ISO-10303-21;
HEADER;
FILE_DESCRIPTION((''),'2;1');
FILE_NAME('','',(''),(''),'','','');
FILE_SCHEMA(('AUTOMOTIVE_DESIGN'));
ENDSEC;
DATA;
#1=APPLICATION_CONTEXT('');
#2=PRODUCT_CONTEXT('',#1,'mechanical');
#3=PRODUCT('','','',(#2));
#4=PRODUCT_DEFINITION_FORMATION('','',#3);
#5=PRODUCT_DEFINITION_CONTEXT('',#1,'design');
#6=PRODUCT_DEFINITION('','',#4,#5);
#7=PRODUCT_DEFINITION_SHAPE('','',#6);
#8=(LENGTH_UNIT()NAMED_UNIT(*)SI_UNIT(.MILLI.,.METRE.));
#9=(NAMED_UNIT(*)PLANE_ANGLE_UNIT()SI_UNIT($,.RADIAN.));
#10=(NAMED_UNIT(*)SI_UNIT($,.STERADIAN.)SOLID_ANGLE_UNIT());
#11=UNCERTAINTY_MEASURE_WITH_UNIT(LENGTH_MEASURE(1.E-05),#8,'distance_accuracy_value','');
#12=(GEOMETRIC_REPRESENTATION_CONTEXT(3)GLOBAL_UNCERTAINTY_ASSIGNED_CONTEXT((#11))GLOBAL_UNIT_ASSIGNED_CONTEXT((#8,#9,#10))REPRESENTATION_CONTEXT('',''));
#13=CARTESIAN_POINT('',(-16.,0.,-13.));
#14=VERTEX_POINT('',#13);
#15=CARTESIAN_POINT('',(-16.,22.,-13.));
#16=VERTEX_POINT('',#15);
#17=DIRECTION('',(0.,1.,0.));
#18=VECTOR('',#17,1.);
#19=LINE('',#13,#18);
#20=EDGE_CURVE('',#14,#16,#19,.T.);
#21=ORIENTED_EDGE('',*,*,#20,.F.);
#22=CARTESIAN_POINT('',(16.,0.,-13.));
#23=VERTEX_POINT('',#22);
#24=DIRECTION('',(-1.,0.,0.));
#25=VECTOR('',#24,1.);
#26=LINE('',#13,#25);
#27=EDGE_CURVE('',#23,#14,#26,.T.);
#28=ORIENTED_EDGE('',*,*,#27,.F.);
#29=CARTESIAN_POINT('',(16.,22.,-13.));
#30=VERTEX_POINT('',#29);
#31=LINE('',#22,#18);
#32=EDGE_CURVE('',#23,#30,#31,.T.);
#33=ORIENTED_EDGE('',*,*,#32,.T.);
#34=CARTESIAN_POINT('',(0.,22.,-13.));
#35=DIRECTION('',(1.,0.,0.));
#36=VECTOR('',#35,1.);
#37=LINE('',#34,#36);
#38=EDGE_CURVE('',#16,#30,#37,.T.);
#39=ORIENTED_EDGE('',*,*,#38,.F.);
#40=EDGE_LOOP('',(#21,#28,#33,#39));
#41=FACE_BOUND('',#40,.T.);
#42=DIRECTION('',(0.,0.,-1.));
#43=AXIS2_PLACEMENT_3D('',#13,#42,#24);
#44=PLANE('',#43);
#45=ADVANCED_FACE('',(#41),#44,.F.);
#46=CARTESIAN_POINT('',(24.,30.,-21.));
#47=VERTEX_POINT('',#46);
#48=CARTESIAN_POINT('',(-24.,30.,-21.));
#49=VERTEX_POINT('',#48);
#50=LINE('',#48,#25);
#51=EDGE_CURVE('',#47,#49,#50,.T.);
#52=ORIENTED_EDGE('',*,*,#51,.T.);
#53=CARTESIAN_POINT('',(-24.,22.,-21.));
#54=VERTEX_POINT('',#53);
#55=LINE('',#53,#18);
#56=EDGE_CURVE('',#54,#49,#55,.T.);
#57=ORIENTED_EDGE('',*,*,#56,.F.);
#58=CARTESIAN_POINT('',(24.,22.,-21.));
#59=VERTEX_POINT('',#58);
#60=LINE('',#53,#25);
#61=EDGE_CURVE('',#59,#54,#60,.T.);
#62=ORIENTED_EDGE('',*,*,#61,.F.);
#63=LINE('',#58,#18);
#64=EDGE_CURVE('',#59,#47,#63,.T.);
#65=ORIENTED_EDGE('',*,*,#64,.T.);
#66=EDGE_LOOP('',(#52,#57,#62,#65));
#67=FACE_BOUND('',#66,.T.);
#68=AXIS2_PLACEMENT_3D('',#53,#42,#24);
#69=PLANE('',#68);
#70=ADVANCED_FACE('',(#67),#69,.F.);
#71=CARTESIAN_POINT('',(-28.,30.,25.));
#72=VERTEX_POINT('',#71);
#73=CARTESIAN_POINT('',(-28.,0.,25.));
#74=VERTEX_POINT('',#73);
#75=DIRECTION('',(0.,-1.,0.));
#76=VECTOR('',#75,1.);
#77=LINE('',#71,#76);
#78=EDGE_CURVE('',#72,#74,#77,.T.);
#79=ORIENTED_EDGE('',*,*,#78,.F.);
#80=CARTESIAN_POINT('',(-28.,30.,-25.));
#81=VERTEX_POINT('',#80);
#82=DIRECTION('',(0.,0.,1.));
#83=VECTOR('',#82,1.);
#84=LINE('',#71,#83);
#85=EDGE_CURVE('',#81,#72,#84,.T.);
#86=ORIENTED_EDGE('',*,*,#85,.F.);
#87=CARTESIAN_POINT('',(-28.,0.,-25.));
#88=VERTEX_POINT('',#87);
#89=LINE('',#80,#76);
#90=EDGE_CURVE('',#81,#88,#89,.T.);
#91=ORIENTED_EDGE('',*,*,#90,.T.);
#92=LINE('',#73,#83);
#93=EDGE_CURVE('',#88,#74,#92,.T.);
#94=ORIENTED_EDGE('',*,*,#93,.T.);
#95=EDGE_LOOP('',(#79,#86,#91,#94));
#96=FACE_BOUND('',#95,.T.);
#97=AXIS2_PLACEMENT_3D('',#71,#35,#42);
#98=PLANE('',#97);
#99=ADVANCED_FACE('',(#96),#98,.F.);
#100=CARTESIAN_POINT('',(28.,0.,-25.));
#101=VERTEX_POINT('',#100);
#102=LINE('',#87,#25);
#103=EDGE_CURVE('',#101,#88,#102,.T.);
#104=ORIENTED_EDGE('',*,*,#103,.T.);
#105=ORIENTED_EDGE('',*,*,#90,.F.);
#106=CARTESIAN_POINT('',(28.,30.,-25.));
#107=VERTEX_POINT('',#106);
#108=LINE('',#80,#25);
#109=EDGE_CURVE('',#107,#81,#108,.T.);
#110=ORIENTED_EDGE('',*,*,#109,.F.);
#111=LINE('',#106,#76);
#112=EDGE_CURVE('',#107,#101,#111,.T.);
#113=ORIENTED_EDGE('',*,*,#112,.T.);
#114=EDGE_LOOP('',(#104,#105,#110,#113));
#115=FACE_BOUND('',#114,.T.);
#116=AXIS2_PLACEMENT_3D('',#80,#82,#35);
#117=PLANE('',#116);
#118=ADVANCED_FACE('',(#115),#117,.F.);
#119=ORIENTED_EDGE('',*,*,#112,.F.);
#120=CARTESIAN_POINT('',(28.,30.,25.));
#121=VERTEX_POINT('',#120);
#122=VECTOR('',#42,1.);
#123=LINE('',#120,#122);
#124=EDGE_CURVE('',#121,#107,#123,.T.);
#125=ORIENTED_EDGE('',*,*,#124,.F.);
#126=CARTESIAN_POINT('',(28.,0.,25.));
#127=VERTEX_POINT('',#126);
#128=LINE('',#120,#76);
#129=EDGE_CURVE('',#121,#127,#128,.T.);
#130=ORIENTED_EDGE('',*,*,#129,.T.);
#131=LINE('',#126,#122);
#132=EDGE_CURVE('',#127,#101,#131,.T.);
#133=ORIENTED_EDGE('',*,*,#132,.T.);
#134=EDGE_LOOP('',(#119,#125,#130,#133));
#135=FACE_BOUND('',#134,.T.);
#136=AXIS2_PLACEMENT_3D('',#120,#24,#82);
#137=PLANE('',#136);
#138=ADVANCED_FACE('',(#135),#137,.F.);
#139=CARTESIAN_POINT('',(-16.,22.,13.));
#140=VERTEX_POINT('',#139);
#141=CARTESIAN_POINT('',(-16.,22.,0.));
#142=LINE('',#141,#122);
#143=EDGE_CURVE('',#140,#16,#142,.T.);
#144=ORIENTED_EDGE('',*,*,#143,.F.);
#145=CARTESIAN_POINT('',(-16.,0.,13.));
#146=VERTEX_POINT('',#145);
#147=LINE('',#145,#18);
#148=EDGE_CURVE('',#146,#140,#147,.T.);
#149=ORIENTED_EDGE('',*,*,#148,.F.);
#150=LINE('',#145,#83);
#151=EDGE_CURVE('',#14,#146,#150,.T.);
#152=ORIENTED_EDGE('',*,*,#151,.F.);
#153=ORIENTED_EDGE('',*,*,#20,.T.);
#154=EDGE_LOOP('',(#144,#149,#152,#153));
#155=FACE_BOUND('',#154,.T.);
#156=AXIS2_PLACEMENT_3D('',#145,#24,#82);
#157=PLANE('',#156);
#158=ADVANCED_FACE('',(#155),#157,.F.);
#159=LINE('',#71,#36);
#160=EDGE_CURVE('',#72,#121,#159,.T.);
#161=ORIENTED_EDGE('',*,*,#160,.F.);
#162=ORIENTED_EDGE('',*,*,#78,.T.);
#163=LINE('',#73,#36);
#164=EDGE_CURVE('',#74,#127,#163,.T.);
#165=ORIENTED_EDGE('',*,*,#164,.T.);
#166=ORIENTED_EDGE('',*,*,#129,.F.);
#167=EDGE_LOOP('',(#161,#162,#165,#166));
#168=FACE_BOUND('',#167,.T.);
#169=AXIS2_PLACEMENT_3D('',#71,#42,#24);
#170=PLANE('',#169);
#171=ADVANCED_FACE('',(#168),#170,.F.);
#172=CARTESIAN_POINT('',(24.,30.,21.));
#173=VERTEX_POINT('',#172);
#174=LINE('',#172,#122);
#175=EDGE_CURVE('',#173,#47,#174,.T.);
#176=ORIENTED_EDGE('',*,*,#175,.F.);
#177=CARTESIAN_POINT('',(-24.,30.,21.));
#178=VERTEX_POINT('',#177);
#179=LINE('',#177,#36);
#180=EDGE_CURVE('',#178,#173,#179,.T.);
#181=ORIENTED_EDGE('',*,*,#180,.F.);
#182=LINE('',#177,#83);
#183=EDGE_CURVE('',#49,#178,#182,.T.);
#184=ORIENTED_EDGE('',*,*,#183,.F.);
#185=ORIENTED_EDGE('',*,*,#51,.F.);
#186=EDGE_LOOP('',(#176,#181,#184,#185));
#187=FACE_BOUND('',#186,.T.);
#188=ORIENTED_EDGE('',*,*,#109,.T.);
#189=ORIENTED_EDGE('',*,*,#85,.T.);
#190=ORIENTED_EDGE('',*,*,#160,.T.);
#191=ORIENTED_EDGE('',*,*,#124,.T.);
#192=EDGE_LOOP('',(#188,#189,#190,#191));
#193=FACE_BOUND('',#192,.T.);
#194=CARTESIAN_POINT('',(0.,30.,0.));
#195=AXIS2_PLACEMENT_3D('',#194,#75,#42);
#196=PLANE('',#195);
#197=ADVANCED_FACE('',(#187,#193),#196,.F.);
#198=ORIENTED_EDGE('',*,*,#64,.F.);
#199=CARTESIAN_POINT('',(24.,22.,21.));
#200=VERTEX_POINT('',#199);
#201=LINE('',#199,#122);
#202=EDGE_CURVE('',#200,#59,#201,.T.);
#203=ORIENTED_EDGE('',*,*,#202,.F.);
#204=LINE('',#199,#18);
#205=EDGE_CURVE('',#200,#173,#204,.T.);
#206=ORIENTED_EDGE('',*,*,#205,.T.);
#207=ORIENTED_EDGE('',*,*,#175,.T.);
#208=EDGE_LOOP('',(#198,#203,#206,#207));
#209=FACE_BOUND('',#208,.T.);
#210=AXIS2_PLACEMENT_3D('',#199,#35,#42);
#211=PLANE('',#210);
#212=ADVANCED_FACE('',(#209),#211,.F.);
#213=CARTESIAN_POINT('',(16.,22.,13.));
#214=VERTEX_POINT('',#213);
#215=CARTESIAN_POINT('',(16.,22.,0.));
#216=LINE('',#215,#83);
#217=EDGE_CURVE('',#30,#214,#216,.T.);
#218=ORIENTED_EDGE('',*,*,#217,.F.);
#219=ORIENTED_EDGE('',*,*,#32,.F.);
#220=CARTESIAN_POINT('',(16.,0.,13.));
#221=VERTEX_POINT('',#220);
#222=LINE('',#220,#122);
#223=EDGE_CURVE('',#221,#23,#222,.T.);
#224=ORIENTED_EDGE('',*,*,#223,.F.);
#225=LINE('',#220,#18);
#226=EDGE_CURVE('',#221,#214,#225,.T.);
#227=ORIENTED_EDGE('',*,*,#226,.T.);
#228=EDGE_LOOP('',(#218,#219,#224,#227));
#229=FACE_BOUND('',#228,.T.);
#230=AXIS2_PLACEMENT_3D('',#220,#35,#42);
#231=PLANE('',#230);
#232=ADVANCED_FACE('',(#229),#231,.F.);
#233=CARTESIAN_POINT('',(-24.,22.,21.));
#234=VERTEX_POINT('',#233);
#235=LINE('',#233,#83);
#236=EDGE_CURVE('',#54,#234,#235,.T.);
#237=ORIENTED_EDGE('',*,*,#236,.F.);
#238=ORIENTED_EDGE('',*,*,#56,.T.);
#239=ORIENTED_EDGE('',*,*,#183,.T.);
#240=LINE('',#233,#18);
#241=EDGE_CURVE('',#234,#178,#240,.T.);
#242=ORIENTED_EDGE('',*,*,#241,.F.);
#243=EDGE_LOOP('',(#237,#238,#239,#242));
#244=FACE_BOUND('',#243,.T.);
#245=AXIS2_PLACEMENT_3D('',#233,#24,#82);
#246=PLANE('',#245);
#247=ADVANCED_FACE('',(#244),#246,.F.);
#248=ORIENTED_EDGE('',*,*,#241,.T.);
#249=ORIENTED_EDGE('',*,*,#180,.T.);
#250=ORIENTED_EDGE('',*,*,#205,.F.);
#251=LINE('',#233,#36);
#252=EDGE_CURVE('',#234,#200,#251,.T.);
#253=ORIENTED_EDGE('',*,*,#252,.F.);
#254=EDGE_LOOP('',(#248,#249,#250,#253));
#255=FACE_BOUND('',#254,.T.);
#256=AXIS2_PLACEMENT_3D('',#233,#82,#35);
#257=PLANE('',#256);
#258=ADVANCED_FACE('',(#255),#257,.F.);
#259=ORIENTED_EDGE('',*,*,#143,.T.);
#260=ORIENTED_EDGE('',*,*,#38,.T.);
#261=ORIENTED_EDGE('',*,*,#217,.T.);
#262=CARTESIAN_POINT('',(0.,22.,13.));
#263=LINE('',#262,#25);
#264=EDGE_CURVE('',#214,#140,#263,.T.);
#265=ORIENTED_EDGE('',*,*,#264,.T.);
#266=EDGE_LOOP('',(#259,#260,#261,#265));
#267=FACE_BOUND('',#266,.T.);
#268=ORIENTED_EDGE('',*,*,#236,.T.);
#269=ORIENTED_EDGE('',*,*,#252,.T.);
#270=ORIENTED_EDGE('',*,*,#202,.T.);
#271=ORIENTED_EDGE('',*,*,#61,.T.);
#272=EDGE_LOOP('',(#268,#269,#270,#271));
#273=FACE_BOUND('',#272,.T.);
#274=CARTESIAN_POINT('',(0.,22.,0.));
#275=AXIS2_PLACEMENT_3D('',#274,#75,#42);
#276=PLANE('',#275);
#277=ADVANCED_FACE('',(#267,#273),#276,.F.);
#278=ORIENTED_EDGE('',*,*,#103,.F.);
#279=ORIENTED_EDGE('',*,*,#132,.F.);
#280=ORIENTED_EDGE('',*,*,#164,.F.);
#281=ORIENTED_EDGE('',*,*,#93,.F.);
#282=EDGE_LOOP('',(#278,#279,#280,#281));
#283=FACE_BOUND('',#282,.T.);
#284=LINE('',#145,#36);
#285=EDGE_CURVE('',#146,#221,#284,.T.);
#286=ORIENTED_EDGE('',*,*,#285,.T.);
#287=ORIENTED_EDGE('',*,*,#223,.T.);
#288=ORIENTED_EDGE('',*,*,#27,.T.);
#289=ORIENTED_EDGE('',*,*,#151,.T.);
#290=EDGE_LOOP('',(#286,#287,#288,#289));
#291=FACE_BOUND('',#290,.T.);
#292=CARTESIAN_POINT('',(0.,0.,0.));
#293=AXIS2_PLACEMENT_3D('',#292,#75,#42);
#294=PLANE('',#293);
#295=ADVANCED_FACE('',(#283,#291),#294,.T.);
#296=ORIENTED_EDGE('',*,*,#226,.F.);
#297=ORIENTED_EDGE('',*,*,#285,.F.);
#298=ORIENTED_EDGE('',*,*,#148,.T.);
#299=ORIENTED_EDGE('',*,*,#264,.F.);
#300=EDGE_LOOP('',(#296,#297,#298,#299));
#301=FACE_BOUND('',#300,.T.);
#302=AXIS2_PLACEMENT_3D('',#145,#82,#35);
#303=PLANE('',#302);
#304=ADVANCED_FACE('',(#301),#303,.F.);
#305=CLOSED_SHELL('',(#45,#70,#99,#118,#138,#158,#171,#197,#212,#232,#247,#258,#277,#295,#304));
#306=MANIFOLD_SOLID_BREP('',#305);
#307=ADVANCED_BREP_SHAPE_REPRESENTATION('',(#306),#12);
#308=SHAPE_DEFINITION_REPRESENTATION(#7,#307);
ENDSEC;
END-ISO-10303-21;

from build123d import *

# Parameters (mm, degrees)
SKETCH1_W               = 56
SKETCH1_H               = 50
BOSS_EXTRUDE1_DEPTH     = 30
SKETCH3_W               = 48
SKETCH3_H               = 42
CUT_EXTRUDE1_DEPTH      = 8
CUT_EXTRUDE2_DEPTH      = 44.508619836
CUT_EXTRUDE2_DEPTH_BACK = 44.508619836
SKETCH5_W               = 32
SKETCH5_H               = 26


with BuildPart() as part:
    # Sketch1 → Boss-Extrude1 (new body)
    with BuildSketch(Plane(origin=(0, 0, 0), x_dir=(1, 0, 0), z_dir=(0, 1, 0))):
        Rectangle(SKETCH1_W, SKETCH1_H)
    extrude(amount=BOSS_EXTRUDE1_DEPTH)

    # Sketch3 → Cut-Extrude1 (cut)
    with BuildSketch(Plane(origin=(0, 30, 0), x_dir=(1, 0, 0), z_dir=(0, 1, 0))):
        Rectangle(SKETCH3_W, SKETCH3_H)
    extrude(amount=-CUT_EXTRUDE1_DEPTH, mode=Mode.SUBTRACT)

    # Sketch5 → Cut-Extrude2 (cut, two sides: drawn at the far end of the back side and taken through both)
    with BuildSketch(Plane(origin=(0, 22, 0), x_dir=(1, 0, 0), z_dir=(0, 1, 0)).offset(-CUT_EXTRUDE2_DEPTH_BACK)):
        Rectangle(SKETCH5_W, SKETCH5_H)
    extrude(amount=CUT_EXTRUDE2_DEPTH + CUT_EXTRUDE2_DEPTH_BACK, mode=Mode.SUBTRACT)


solid = part.part
